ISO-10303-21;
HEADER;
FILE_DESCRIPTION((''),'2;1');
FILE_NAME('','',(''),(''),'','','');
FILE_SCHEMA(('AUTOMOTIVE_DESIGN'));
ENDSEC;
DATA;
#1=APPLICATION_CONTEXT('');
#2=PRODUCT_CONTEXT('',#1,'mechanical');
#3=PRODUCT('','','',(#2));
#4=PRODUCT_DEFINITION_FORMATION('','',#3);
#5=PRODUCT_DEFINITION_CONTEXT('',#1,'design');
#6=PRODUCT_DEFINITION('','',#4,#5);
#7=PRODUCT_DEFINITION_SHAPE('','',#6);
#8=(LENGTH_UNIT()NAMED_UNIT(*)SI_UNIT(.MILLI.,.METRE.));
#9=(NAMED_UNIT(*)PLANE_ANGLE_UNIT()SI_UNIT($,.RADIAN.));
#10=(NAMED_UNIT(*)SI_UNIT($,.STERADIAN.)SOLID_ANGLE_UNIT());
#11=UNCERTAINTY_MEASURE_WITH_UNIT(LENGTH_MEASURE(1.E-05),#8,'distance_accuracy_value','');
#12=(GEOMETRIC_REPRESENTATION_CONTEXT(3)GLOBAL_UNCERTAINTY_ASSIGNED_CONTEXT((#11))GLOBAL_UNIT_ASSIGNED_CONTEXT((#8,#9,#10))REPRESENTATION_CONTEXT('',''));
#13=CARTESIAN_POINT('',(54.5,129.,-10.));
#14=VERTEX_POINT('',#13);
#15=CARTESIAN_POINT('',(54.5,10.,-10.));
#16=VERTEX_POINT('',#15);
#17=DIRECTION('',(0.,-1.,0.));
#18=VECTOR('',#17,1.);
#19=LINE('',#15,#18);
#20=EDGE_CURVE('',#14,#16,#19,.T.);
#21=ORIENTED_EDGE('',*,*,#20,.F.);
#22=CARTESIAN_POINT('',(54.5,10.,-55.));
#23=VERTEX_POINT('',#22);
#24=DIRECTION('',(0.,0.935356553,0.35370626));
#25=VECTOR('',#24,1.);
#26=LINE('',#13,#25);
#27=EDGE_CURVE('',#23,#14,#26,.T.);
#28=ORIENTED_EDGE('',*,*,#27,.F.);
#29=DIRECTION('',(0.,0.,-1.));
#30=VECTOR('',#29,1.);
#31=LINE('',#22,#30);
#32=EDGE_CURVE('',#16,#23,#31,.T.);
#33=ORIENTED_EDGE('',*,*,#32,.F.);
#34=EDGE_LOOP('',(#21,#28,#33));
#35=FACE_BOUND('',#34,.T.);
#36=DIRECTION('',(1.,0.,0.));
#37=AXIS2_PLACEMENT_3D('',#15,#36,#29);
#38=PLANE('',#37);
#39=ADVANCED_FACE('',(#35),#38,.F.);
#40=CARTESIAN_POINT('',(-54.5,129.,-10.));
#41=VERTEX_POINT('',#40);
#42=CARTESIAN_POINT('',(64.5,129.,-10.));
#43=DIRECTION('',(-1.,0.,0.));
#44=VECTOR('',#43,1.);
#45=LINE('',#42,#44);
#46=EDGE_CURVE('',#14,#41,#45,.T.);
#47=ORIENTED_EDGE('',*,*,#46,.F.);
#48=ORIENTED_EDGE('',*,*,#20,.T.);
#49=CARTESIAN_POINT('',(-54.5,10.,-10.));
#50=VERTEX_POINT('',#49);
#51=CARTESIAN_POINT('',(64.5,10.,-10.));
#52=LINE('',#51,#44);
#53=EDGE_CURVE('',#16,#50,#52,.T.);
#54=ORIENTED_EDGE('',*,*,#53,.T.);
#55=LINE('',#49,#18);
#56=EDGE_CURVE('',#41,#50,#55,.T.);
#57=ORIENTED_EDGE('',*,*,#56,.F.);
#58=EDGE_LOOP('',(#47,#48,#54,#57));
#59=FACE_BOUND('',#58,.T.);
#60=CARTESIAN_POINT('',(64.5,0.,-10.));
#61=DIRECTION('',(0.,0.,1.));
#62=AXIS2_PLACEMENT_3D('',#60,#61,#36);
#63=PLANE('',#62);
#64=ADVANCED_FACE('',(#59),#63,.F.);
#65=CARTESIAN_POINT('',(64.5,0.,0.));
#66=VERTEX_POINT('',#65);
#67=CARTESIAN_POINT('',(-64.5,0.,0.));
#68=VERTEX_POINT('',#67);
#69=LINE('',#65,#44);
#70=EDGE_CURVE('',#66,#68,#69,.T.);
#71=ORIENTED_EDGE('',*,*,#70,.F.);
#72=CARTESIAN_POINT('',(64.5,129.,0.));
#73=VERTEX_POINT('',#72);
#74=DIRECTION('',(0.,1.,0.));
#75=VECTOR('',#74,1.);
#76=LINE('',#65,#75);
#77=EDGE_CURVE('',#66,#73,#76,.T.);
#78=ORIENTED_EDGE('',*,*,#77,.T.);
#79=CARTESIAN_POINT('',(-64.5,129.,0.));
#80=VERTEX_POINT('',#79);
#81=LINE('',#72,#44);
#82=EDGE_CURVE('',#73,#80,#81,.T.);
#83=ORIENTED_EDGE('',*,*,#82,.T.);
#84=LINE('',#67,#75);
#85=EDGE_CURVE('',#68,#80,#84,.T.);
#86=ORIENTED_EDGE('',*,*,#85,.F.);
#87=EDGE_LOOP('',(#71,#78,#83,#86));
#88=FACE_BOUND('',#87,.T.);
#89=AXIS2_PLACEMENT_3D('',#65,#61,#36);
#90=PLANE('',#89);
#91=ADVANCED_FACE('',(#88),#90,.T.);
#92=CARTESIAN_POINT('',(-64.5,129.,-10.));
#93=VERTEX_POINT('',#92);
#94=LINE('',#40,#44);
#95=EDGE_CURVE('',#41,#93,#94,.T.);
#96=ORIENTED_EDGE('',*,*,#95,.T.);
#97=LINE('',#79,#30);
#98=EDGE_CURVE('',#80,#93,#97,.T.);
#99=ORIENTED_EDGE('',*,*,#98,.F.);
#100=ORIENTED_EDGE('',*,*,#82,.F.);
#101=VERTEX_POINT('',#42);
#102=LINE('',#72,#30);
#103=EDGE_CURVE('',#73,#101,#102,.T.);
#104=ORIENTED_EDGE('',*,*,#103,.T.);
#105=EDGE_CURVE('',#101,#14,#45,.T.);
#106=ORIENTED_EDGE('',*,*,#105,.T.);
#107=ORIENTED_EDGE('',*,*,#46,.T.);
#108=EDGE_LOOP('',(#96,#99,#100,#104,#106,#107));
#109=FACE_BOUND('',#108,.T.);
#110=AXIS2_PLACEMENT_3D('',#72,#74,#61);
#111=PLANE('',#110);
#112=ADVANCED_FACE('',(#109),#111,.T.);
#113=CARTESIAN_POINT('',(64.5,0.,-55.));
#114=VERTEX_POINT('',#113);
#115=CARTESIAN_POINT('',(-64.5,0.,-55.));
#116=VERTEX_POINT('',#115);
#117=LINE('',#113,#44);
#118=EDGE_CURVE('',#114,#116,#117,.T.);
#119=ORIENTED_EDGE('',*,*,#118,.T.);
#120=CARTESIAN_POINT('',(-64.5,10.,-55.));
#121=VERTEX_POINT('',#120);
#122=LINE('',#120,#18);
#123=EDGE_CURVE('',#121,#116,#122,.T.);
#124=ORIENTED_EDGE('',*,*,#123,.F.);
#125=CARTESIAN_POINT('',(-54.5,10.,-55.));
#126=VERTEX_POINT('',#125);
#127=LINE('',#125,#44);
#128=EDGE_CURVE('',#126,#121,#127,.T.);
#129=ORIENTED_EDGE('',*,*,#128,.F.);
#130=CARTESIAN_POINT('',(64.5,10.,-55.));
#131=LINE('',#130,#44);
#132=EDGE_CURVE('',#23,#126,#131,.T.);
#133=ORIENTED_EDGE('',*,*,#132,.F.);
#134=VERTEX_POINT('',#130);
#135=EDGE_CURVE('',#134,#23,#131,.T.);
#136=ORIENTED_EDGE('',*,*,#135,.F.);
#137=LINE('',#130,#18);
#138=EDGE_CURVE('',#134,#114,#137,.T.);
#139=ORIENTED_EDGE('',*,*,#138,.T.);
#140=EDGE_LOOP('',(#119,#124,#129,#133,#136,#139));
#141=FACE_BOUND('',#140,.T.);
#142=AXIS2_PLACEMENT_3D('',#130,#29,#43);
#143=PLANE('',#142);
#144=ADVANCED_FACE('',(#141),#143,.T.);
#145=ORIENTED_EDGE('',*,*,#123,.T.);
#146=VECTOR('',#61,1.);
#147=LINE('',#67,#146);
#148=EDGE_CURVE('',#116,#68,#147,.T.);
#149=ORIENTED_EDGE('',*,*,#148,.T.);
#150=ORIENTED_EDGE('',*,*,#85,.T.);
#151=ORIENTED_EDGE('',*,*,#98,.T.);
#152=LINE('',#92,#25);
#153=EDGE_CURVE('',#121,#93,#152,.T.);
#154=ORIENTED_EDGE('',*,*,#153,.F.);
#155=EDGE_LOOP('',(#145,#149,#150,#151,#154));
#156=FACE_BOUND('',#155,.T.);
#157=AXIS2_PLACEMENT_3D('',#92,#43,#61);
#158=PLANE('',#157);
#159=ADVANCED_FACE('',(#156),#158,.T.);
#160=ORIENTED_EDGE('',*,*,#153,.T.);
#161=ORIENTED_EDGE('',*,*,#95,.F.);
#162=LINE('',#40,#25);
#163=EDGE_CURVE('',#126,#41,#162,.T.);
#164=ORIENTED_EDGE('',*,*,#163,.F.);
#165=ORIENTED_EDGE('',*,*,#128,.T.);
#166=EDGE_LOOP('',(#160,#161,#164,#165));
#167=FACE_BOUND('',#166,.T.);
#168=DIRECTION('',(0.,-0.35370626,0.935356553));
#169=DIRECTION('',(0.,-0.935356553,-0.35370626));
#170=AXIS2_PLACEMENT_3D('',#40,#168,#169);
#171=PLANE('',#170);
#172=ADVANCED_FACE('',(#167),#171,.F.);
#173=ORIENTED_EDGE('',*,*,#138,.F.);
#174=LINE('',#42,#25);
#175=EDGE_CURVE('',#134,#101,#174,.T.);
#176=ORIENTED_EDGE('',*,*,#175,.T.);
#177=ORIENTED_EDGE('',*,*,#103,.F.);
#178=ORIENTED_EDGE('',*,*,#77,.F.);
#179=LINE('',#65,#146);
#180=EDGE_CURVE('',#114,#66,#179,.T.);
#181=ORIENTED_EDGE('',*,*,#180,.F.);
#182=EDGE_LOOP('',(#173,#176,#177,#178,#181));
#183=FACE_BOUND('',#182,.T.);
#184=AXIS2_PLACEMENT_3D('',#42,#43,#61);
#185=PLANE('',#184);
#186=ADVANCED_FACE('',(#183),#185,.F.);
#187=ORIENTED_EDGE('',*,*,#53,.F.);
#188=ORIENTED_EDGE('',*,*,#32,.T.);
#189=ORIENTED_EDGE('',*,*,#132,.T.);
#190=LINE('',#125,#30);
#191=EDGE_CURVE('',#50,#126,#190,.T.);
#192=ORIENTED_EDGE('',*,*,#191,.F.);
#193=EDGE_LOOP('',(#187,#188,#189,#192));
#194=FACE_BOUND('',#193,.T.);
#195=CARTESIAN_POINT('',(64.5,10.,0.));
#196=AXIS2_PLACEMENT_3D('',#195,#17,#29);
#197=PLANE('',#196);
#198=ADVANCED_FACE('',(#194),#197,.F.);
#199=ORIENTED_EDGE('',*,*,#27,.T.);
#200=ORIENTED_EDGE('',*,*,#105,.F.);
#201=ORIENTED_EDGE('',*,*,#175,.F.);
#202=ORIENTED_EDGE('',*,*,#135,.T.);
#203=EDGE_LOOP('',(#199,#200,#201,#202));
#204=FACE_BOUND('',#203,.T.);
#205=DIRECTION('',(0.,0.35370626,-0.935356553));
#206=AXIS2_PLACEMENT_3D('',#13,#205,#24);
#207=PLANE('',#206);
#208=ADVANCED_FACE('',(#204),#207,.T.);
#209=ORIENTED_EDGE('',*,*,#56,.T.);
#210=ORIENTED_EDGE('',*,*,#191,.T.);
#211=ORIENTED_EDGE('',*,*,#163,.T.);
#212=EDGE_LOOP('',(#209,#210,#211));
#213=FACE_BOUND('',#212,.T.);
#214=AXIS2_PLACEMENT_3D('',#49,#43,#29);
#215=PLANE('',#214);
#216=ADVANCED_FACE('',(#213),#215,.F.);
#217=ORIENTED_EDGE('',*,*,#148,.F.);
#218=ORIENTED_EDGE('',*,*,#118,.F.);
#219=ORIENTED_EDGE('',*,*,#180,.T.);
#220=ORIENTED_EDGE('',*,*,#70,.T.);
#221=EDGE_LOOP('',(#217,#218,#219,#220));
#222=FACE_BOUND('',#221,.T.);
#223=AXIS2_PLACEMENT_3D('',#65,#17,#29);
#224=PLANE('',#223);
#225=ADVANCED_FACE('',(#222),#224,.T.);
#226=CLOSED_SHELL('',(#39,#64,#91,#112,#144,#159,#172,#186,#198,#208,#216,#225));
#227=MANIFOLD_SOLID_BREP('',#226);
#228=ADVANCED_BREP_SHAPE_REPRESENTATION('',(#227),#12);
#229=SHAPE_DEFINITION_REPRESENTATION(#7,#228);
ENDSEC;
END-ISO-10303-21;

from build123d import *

# Parameters (mm, degrees)
EXTRUDE_THIN1_DEPTH = 64.5
EXTRUDE1_DEPTH      = 10


with BuildPart() as part:
    # Sketch1 → Extrude-Thin1 (new body, symmetric)
    with BuildSketch(Plane(origin=(0, 0, 0), x_dir=(0, 0, -1), z_dir=(1, 0, 0))):
        Polygon((0, 129), (0, 0), (55, 0), (55, 10), (10, 10), (10, 129), align=None)
    extrude(amount=EXTRUDE_THIN1_DEPTH, both=True)

    # Sketch2 → Extrude1 (add)
    with BuildSketch(Plane(origin=(64.5, 0, 0), x_dir=(0, 0, -1), z_dir=(1, 0, 0))):
        Polygon((10, 129), (55, 10), (10, 10), align=None)
    extrude1 = extrude(amount=-EXTRUDE1_DEPTH)

    # Mirror1: Extrude1 across plane
    add(extrude1.mirror(Plane(origin=(0, 0, 0), x_dir=(0, 0, 1), z_dir=(1, 0, 0))))


solid = part.part
